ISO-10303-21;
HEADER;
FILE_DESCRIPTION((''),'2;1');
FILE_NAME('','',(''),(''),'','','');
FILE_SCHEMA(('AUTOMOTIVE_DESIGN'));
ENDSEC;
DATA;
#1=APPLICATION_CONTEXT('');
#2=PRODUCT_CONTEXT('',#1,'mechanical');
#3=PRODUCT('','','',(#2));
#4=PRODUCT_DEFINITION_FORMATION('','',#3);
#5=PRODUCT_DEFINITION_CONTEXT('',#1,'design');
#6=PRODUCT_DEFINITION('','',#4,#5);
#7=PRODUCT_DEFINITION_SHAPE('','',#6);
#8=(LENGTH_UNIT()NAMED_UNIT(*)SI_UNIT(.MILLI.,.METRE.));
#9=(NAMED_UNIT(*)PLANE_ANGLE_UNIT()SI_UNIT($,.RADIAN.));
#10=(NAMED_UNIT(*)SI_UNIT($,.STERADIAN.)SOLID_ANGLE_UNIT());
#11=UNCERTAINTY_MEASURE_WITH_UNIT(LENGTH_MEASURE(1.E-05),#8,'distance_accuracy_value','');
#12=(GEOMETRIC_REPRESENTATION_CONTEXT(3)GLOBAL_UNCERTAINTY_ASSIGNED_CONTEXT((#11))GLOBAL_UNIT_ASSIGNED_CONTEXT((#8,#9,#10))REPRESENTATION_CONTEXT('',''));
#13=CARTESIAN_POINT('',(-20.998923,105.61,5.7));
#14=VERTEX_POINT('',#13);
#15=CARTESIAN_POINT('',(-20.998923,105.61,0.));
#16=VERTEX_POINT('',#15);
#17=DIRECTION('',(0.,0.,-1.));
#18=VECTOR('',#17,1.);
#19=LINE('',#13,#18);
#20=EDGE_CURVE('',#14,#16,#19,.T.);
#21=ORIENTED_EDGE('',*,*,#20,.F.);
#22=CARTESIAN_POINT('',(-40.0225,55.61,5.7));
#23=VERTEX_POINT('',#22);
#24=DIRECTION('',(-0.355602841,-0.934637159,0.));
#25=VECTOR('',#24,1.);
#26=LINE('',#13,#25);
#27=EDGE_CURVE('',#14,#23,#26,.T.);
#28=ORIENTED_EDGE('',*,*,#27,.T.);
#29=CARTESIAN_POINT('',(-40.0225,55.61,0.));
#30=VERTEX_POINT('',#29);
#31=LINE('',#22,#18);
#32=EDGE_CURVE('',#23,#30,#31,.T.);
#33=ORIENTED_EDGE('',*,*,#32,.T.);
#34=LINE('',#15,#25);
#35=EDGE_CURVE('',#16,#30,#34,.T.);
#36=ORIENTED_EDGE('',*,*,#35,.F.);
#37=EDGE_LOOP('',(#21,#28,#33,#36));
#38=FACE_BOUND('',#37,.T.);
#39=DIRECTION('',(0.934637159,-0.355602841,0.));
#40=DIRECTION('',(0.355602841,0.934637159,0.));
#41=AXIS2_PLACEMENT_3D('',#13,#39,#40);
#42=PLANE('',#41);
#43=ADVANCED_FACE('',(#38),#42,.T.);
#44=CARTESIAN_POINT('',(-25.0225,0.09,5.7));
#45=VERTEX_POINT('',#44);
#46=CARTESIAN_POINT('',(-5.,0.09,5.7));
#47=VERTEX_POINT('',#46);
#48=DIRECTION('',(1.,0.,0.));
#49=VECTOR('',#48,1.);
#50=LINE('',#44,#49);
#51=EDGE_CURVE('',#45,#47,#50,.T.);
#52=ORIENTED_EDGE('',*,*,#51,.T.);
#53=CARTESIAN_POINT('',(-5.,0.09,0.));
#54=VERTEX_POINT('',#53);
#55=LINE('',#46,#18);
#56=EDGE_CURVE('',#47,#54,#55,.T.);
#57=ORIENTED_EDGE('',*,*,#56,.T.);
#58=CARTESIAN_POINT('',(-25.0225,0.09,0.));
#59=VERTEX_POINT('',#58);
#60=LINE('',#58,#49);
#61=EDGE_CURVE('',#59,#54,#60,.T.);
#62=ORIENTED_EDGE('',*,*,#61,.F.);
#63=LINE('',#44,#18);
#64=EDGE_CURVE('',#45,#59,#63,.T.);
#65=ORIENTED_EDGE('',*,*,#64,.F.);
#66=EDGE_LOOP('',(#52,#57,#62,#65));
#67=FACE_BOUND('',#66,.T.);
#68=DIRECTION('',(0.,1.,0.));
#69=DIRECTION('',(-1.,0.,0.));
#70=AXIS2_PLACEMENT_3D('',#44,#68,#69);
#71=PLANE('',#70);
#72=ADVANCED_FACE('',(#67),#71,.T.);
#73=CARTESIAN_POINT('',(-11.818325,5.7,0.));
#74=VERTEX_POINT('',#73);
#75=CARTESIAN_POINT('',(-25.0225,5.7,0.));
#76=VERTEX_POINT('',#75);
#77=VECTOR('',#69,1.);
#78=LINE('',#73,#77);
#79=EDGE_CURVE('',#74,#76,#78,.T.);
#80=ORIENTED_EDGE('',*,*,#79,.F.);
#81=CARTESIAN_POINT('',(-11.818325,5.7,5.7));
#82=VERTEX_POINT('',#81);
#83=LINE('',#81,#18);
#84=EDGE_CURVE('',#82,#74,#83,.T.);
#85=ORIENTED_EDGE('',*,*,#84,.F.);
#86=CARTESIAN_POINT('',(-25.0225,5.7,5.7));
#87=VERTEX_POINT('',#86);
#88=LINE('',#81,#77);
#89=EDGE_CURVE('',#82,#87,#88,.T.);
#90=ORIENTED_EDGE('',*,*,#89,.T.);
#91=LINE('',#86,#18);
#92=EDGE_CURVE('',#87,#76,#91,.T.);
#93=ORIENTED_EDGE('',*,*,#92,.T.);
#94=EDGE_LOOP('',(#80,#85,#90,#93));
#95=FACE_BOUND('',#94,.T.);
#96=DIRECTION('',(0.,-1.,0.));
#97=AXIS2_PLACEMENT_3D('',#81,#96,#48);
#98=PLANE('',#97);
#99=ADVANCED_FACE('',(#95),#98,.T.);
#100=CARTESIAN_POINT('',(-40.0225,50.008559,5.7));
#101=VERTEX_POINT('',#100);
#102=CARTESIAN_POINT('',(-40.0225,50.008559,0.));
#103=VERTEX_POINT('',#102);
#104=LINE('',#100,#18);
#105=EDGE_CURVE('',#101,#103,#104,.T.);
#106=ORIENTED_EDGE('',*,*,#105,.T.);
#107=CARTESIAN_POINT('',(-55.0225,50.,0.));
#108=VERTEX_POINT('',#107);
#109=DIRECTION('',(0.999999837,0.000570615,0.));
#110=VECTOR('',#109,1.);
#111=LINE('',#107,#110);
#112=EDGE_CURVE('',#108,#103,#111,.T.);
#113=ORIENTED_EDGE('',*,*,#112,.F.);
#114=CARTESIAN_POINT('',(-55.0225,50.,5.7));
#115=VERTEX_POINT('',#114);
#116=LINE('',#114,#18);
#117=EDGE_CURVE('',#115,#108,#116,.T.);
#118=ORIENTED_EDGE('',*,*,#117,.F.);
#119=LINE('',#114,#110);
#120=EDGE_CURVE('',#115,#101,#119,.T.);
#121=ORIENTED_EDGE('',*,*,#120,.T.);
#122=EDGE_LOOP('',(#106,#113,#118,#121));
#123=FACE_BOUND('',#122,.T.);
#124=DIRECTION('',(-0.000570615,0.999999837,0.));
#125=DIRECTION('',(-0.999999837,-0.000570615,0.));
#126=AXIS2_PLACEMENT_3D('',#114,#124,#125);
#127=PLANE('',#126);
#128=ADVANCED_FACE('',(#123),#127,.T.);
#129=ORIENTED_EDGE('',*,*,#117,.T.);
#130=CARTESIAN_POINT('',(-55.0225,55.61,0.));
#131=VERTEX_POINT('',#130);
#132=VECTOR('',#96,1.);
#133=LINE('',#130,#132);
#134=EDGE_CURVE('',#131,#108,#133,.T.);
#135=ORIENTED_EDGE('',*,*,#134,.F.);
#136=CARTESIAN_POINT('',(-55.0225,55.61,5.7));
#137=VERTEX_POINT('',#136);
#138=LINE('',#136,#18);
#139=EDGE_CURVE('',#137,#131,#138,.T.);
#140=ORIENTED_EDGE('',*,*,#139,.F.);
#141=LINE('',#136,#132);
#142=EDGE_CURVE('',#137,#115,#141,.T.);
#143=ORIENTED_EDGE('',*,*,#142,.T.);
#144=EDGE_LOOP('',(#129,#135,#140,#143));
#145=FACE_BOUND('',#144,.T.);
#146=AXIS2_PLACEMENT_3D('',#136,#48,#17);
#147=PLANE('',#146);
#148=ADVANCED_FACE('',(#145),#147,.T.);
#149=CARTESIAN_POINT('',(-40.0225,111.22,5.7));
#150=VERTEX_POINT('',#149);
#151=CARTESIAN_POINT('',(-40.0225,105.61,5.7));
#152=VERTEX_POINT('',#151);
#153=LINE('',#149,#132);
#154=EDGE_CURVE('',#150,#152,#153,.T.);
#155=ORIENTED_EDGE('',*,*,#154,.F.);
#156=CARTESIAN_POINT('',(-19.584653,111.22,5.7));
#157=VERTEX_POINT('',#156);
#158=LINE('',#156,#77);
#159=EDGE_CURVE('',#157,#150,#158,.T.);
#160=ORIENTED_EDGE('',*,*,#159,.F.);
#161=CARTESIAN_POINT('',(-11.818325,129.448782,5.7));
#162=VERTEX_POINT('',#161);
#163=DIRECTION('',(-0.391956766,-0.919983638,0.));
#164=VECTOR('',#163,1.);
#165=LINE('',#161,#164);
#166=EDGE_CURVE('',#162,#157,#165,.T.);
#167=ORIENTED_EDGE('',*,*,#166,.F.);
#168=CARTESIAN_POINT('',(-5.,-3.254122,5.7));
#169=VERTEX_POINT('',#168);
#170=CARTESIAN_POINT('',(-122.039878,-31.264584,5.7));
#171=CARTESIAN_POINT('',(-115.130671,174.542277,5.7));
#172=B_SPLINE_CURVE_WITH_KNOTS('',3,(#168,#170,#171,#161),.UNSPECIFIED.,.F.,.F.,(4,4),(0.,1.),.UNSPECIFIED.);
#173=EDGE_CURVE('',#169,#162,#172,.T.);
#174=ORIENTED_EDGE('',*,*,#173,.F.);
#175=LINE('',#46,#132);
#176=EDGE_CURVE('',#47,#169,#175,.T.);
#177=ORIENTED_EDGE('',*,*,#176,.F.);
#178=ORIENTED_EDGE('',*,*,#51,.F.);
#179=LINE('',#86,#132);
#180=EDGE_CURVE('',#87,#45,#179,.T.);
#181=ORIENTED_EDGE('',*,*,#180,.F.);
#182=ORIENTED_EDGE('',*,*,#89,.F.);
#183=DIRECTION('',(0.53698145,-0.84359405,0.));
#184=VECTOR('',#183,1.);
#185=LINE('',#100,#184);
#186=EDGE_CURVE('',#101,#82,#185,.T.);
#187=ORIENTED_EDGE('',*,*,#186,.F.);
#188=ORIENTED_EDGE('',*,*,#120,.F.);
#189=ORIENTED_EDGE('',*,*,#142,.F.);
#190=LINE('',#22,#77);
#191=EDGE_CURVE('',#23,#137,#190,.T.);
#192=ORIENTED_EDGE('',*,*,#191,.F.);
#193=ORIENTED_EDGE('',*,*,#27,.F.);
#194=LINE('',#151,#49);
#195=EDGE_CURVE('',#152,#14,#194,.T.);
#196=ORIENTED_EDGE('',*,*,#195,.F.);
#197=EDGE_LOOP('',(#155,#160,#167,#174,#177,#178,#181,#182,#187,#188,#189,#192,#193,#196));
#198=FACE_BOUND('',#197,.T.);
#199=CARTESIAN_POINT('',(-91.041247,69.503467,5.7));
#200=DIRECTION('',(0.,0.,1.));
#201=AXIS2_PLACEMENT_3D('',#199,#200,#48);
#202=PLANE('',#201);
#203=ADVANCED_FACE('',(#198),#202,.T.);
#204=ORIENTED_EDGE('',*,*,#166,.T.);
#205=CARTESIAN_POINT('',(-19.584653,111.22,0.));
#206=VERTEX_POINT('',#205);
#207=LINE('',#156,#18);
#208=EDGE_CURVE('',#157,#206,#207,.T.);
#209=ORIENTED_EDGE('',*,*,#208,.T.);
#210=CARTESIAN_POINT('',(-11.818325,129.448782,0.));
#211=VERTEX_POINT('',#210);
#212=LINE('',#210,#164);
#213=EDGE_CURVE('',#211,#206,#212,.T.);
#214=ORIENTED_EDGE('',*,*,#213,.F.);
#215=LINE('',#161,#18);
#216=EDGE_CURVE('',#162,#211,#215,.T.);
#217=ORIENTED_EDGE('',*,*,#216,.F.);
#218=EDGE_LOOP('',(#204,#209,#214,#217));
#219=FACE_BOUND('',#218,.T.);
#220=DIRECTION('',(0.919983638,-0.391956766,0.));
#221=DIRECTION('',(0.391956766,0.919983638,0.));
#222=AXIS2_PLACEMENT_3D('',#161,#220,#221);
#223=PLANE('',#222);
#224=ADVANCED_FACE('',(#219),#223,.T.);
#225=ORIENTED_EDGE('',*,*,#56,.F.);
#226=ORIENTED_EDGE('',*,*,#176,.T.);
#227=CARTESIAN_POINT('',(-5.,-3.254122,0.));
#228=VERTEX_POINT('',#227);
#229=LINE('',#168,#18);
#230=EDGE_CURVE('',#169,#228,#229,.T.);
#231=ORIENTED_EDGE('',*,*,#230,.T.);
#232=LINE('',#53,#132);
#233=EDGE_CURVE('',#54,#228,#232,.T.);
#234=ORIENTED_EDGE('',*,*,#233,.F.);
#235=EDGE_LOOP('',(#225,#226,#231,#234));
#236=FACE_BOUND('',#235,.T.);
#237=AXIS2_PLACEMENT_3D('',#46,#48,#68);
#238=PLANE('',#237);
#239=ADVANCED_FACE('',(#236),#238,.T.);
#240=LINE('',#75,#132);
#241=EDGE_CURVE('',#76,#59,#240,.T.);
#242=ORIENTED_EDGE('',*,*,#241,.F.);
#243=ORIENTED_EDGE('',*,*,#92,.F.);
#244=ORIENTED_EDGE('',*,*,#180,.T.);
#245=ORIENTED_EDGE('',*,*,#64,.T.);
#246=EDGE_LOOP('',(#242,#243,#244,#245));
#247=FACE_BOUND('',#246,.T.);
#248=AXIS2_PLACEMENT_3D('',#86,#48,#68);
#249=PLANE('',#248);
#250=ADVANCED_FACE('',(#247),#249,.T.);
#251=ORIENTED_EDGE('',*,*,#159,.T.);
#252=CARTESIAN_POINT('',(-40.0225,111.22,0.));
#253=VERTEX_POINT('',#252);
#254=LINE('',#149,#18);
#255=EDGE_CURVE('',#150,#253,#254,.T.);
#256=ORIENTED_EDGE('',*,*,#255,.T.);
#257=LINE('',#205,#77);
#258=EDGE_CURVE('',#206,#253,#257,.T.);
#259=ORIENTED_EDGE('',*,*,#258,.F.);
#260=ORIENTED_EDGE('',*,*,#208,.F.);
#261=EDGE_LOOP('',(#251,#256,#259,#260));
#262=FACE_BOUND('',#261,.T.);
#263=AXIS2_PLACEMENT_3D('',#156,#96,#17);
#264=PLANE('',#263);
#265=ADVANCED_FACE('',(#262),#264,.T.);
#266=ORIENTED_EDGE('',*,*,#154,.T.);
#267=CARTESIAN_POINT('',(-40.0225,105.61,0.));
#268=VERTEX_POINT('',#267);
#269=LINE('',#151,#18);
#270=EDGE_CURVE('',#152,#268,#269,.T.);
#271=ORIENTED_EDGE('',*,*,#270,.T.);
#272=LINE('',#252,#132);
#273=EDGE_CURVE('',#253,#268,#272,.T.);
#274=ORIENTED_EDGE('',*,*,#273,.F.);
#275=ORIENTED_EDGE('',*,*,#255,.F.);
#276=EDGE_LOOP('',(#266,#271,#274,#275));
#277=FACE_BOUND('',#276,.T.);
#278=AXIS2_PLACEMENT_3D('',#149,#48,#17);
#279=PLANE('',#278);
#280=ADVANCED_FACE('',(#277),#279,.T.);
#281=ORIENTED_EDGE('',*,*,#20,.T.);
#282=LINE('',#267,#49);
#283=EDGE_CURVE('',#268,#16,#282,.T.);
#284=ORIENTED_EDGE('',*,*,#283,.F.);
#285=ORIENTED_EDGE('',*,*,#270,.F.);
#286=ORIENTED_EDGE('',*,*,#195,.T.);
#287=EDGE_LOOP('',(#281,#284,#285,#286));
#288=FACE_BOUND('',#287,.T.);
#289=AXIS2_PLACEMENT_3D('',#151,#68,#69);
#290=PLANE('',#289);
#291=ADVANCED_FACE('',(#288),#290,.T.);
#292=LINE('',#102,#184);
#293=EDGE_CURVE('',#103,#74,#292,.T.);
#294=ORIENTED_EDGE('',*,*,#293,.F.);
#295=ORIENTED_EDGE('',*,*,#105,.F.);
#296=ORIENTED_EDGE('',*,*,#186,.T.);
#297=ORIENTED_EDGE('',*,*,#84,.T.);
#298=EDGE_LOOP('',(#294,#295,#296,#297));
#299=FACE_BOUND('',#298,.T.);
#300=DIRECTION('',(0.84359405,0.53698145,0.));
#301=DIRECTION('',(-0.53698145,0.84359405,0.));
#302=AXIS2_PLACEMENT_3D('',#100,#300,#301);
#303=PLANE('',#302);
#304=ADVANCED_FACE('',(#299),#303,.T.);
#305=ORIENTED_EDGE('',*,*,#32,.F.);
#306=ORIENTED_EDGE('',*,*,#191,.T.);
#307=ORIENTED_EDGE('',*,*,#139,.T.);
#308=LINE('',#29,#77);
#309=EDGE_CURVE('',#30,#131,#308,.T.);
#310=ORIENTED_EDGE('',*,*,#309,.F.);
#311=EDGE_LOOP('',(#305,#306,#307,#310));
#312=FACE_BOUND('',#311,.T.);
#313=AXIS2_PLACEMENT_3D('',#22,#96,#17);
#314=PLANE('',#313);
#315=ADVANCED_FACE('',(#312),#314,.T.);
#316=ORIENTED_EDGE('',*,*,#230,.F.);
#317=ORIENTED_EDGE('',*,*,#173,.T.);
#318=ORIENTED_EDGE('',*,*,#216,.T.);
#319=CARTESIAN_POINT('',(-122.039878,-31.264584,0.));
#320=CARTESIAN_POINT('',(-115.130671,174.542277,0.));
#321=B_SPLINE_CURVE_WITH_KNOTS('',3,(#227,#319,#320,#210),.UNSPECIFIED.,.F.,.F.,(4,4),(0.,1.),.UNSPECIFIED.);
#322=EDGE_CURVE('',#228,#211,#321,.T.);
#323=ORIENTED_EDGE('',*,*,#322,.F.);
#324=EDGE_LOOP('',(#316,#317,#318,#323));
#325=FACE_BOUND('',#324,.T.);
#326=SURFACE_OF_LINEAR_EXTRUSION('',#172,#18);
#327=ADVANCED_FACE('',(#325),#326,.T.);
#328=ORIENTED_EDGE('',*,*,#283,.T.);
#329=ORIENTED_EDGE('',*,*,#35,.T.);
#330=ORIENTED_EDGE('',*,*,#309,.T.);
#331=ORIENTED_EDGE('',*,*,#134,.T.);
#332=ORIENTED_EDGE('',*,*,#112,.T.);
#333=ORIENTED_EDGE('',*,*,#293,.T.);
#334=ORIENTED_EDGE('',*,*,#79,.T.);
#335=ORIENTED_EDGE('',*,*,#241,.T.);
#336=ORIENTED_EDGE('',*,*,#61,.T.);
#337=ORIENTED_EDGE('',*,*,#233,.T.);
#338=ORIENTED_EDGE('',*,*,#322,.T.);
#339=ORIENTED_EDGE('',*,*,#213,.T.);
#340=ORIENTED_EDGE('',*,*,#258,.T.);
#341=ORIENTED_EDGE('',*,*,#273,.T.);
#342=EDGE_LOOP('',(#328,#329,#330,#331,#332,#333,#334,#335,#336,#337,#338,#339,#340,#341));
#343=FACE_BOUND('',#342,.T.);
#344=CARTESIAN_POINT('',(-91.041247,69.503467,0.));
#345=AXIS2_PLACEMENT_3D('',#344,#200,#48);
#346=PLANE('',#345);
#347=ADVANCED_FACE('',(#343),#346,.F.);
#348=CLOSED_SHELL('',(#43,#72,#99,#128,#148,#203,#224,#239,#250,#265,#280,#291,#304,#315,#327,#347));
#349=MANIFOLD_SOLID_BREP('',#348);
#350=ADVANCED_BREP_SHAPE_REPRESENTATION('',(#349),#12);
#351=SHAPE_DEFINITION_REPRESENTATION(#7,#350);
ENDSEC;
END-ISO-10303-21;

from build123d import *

# Parameters (mm, degrees)
ESTRUSIONE_ESTRUSIONE1_DEPTH = 5.7


with BuildPart() as part:
    # Model → Estrusione-Estrusione1 (new body)
    with BuildSketch(Plane.XY):
        with BuildLine():
            Line((-5, 0.09), (-5, -3.254122143))
            add(Edge.make_bspline(
                [(-5, -3.254122143), (-122.039878304, -31.264583812), (-115.130671173, 174.542277049), (-11.818324795, 129.448781979)],
                knots=[0, 0, 0, 0, 1, 1, 1, 1], degree=3))
            Line((-11.818324795, 129.448781979), (-19.584652517, 111.22))
            Line((-19.584652517, 111.22), (-40.0225, 111.22))
            Line((-40.0225, 111.22), (-40.0225, 105.61))
            Line((-40.0225, 105.61), (-20.998922906, 105.61))
            Line((-20.998922906, 105.61), (-40.0225, 55.61))
            Line((-40.0225, 55.61), (-55.0225, 55.61))
            Line((-55.0225, 55.61), (-55.0225, 50))
            Line((-55.0225, 50), (-40.0225, 50.008559229))
            Line((-40.0225, 50.008559229), (-11.818324795, 5.7))
            Line((-11.818324795, 5.7), (-25.0225, 5.7))
            Line((-25.0225, 5.7), (-25.0225, 0.09))
            Line((-25.0225, 0.09), (-5, 0.09))
        make_face()
    extrude(amount=ESTRUSIONE_ESTRUSIONE1_DEPTH)


solid = part.part
